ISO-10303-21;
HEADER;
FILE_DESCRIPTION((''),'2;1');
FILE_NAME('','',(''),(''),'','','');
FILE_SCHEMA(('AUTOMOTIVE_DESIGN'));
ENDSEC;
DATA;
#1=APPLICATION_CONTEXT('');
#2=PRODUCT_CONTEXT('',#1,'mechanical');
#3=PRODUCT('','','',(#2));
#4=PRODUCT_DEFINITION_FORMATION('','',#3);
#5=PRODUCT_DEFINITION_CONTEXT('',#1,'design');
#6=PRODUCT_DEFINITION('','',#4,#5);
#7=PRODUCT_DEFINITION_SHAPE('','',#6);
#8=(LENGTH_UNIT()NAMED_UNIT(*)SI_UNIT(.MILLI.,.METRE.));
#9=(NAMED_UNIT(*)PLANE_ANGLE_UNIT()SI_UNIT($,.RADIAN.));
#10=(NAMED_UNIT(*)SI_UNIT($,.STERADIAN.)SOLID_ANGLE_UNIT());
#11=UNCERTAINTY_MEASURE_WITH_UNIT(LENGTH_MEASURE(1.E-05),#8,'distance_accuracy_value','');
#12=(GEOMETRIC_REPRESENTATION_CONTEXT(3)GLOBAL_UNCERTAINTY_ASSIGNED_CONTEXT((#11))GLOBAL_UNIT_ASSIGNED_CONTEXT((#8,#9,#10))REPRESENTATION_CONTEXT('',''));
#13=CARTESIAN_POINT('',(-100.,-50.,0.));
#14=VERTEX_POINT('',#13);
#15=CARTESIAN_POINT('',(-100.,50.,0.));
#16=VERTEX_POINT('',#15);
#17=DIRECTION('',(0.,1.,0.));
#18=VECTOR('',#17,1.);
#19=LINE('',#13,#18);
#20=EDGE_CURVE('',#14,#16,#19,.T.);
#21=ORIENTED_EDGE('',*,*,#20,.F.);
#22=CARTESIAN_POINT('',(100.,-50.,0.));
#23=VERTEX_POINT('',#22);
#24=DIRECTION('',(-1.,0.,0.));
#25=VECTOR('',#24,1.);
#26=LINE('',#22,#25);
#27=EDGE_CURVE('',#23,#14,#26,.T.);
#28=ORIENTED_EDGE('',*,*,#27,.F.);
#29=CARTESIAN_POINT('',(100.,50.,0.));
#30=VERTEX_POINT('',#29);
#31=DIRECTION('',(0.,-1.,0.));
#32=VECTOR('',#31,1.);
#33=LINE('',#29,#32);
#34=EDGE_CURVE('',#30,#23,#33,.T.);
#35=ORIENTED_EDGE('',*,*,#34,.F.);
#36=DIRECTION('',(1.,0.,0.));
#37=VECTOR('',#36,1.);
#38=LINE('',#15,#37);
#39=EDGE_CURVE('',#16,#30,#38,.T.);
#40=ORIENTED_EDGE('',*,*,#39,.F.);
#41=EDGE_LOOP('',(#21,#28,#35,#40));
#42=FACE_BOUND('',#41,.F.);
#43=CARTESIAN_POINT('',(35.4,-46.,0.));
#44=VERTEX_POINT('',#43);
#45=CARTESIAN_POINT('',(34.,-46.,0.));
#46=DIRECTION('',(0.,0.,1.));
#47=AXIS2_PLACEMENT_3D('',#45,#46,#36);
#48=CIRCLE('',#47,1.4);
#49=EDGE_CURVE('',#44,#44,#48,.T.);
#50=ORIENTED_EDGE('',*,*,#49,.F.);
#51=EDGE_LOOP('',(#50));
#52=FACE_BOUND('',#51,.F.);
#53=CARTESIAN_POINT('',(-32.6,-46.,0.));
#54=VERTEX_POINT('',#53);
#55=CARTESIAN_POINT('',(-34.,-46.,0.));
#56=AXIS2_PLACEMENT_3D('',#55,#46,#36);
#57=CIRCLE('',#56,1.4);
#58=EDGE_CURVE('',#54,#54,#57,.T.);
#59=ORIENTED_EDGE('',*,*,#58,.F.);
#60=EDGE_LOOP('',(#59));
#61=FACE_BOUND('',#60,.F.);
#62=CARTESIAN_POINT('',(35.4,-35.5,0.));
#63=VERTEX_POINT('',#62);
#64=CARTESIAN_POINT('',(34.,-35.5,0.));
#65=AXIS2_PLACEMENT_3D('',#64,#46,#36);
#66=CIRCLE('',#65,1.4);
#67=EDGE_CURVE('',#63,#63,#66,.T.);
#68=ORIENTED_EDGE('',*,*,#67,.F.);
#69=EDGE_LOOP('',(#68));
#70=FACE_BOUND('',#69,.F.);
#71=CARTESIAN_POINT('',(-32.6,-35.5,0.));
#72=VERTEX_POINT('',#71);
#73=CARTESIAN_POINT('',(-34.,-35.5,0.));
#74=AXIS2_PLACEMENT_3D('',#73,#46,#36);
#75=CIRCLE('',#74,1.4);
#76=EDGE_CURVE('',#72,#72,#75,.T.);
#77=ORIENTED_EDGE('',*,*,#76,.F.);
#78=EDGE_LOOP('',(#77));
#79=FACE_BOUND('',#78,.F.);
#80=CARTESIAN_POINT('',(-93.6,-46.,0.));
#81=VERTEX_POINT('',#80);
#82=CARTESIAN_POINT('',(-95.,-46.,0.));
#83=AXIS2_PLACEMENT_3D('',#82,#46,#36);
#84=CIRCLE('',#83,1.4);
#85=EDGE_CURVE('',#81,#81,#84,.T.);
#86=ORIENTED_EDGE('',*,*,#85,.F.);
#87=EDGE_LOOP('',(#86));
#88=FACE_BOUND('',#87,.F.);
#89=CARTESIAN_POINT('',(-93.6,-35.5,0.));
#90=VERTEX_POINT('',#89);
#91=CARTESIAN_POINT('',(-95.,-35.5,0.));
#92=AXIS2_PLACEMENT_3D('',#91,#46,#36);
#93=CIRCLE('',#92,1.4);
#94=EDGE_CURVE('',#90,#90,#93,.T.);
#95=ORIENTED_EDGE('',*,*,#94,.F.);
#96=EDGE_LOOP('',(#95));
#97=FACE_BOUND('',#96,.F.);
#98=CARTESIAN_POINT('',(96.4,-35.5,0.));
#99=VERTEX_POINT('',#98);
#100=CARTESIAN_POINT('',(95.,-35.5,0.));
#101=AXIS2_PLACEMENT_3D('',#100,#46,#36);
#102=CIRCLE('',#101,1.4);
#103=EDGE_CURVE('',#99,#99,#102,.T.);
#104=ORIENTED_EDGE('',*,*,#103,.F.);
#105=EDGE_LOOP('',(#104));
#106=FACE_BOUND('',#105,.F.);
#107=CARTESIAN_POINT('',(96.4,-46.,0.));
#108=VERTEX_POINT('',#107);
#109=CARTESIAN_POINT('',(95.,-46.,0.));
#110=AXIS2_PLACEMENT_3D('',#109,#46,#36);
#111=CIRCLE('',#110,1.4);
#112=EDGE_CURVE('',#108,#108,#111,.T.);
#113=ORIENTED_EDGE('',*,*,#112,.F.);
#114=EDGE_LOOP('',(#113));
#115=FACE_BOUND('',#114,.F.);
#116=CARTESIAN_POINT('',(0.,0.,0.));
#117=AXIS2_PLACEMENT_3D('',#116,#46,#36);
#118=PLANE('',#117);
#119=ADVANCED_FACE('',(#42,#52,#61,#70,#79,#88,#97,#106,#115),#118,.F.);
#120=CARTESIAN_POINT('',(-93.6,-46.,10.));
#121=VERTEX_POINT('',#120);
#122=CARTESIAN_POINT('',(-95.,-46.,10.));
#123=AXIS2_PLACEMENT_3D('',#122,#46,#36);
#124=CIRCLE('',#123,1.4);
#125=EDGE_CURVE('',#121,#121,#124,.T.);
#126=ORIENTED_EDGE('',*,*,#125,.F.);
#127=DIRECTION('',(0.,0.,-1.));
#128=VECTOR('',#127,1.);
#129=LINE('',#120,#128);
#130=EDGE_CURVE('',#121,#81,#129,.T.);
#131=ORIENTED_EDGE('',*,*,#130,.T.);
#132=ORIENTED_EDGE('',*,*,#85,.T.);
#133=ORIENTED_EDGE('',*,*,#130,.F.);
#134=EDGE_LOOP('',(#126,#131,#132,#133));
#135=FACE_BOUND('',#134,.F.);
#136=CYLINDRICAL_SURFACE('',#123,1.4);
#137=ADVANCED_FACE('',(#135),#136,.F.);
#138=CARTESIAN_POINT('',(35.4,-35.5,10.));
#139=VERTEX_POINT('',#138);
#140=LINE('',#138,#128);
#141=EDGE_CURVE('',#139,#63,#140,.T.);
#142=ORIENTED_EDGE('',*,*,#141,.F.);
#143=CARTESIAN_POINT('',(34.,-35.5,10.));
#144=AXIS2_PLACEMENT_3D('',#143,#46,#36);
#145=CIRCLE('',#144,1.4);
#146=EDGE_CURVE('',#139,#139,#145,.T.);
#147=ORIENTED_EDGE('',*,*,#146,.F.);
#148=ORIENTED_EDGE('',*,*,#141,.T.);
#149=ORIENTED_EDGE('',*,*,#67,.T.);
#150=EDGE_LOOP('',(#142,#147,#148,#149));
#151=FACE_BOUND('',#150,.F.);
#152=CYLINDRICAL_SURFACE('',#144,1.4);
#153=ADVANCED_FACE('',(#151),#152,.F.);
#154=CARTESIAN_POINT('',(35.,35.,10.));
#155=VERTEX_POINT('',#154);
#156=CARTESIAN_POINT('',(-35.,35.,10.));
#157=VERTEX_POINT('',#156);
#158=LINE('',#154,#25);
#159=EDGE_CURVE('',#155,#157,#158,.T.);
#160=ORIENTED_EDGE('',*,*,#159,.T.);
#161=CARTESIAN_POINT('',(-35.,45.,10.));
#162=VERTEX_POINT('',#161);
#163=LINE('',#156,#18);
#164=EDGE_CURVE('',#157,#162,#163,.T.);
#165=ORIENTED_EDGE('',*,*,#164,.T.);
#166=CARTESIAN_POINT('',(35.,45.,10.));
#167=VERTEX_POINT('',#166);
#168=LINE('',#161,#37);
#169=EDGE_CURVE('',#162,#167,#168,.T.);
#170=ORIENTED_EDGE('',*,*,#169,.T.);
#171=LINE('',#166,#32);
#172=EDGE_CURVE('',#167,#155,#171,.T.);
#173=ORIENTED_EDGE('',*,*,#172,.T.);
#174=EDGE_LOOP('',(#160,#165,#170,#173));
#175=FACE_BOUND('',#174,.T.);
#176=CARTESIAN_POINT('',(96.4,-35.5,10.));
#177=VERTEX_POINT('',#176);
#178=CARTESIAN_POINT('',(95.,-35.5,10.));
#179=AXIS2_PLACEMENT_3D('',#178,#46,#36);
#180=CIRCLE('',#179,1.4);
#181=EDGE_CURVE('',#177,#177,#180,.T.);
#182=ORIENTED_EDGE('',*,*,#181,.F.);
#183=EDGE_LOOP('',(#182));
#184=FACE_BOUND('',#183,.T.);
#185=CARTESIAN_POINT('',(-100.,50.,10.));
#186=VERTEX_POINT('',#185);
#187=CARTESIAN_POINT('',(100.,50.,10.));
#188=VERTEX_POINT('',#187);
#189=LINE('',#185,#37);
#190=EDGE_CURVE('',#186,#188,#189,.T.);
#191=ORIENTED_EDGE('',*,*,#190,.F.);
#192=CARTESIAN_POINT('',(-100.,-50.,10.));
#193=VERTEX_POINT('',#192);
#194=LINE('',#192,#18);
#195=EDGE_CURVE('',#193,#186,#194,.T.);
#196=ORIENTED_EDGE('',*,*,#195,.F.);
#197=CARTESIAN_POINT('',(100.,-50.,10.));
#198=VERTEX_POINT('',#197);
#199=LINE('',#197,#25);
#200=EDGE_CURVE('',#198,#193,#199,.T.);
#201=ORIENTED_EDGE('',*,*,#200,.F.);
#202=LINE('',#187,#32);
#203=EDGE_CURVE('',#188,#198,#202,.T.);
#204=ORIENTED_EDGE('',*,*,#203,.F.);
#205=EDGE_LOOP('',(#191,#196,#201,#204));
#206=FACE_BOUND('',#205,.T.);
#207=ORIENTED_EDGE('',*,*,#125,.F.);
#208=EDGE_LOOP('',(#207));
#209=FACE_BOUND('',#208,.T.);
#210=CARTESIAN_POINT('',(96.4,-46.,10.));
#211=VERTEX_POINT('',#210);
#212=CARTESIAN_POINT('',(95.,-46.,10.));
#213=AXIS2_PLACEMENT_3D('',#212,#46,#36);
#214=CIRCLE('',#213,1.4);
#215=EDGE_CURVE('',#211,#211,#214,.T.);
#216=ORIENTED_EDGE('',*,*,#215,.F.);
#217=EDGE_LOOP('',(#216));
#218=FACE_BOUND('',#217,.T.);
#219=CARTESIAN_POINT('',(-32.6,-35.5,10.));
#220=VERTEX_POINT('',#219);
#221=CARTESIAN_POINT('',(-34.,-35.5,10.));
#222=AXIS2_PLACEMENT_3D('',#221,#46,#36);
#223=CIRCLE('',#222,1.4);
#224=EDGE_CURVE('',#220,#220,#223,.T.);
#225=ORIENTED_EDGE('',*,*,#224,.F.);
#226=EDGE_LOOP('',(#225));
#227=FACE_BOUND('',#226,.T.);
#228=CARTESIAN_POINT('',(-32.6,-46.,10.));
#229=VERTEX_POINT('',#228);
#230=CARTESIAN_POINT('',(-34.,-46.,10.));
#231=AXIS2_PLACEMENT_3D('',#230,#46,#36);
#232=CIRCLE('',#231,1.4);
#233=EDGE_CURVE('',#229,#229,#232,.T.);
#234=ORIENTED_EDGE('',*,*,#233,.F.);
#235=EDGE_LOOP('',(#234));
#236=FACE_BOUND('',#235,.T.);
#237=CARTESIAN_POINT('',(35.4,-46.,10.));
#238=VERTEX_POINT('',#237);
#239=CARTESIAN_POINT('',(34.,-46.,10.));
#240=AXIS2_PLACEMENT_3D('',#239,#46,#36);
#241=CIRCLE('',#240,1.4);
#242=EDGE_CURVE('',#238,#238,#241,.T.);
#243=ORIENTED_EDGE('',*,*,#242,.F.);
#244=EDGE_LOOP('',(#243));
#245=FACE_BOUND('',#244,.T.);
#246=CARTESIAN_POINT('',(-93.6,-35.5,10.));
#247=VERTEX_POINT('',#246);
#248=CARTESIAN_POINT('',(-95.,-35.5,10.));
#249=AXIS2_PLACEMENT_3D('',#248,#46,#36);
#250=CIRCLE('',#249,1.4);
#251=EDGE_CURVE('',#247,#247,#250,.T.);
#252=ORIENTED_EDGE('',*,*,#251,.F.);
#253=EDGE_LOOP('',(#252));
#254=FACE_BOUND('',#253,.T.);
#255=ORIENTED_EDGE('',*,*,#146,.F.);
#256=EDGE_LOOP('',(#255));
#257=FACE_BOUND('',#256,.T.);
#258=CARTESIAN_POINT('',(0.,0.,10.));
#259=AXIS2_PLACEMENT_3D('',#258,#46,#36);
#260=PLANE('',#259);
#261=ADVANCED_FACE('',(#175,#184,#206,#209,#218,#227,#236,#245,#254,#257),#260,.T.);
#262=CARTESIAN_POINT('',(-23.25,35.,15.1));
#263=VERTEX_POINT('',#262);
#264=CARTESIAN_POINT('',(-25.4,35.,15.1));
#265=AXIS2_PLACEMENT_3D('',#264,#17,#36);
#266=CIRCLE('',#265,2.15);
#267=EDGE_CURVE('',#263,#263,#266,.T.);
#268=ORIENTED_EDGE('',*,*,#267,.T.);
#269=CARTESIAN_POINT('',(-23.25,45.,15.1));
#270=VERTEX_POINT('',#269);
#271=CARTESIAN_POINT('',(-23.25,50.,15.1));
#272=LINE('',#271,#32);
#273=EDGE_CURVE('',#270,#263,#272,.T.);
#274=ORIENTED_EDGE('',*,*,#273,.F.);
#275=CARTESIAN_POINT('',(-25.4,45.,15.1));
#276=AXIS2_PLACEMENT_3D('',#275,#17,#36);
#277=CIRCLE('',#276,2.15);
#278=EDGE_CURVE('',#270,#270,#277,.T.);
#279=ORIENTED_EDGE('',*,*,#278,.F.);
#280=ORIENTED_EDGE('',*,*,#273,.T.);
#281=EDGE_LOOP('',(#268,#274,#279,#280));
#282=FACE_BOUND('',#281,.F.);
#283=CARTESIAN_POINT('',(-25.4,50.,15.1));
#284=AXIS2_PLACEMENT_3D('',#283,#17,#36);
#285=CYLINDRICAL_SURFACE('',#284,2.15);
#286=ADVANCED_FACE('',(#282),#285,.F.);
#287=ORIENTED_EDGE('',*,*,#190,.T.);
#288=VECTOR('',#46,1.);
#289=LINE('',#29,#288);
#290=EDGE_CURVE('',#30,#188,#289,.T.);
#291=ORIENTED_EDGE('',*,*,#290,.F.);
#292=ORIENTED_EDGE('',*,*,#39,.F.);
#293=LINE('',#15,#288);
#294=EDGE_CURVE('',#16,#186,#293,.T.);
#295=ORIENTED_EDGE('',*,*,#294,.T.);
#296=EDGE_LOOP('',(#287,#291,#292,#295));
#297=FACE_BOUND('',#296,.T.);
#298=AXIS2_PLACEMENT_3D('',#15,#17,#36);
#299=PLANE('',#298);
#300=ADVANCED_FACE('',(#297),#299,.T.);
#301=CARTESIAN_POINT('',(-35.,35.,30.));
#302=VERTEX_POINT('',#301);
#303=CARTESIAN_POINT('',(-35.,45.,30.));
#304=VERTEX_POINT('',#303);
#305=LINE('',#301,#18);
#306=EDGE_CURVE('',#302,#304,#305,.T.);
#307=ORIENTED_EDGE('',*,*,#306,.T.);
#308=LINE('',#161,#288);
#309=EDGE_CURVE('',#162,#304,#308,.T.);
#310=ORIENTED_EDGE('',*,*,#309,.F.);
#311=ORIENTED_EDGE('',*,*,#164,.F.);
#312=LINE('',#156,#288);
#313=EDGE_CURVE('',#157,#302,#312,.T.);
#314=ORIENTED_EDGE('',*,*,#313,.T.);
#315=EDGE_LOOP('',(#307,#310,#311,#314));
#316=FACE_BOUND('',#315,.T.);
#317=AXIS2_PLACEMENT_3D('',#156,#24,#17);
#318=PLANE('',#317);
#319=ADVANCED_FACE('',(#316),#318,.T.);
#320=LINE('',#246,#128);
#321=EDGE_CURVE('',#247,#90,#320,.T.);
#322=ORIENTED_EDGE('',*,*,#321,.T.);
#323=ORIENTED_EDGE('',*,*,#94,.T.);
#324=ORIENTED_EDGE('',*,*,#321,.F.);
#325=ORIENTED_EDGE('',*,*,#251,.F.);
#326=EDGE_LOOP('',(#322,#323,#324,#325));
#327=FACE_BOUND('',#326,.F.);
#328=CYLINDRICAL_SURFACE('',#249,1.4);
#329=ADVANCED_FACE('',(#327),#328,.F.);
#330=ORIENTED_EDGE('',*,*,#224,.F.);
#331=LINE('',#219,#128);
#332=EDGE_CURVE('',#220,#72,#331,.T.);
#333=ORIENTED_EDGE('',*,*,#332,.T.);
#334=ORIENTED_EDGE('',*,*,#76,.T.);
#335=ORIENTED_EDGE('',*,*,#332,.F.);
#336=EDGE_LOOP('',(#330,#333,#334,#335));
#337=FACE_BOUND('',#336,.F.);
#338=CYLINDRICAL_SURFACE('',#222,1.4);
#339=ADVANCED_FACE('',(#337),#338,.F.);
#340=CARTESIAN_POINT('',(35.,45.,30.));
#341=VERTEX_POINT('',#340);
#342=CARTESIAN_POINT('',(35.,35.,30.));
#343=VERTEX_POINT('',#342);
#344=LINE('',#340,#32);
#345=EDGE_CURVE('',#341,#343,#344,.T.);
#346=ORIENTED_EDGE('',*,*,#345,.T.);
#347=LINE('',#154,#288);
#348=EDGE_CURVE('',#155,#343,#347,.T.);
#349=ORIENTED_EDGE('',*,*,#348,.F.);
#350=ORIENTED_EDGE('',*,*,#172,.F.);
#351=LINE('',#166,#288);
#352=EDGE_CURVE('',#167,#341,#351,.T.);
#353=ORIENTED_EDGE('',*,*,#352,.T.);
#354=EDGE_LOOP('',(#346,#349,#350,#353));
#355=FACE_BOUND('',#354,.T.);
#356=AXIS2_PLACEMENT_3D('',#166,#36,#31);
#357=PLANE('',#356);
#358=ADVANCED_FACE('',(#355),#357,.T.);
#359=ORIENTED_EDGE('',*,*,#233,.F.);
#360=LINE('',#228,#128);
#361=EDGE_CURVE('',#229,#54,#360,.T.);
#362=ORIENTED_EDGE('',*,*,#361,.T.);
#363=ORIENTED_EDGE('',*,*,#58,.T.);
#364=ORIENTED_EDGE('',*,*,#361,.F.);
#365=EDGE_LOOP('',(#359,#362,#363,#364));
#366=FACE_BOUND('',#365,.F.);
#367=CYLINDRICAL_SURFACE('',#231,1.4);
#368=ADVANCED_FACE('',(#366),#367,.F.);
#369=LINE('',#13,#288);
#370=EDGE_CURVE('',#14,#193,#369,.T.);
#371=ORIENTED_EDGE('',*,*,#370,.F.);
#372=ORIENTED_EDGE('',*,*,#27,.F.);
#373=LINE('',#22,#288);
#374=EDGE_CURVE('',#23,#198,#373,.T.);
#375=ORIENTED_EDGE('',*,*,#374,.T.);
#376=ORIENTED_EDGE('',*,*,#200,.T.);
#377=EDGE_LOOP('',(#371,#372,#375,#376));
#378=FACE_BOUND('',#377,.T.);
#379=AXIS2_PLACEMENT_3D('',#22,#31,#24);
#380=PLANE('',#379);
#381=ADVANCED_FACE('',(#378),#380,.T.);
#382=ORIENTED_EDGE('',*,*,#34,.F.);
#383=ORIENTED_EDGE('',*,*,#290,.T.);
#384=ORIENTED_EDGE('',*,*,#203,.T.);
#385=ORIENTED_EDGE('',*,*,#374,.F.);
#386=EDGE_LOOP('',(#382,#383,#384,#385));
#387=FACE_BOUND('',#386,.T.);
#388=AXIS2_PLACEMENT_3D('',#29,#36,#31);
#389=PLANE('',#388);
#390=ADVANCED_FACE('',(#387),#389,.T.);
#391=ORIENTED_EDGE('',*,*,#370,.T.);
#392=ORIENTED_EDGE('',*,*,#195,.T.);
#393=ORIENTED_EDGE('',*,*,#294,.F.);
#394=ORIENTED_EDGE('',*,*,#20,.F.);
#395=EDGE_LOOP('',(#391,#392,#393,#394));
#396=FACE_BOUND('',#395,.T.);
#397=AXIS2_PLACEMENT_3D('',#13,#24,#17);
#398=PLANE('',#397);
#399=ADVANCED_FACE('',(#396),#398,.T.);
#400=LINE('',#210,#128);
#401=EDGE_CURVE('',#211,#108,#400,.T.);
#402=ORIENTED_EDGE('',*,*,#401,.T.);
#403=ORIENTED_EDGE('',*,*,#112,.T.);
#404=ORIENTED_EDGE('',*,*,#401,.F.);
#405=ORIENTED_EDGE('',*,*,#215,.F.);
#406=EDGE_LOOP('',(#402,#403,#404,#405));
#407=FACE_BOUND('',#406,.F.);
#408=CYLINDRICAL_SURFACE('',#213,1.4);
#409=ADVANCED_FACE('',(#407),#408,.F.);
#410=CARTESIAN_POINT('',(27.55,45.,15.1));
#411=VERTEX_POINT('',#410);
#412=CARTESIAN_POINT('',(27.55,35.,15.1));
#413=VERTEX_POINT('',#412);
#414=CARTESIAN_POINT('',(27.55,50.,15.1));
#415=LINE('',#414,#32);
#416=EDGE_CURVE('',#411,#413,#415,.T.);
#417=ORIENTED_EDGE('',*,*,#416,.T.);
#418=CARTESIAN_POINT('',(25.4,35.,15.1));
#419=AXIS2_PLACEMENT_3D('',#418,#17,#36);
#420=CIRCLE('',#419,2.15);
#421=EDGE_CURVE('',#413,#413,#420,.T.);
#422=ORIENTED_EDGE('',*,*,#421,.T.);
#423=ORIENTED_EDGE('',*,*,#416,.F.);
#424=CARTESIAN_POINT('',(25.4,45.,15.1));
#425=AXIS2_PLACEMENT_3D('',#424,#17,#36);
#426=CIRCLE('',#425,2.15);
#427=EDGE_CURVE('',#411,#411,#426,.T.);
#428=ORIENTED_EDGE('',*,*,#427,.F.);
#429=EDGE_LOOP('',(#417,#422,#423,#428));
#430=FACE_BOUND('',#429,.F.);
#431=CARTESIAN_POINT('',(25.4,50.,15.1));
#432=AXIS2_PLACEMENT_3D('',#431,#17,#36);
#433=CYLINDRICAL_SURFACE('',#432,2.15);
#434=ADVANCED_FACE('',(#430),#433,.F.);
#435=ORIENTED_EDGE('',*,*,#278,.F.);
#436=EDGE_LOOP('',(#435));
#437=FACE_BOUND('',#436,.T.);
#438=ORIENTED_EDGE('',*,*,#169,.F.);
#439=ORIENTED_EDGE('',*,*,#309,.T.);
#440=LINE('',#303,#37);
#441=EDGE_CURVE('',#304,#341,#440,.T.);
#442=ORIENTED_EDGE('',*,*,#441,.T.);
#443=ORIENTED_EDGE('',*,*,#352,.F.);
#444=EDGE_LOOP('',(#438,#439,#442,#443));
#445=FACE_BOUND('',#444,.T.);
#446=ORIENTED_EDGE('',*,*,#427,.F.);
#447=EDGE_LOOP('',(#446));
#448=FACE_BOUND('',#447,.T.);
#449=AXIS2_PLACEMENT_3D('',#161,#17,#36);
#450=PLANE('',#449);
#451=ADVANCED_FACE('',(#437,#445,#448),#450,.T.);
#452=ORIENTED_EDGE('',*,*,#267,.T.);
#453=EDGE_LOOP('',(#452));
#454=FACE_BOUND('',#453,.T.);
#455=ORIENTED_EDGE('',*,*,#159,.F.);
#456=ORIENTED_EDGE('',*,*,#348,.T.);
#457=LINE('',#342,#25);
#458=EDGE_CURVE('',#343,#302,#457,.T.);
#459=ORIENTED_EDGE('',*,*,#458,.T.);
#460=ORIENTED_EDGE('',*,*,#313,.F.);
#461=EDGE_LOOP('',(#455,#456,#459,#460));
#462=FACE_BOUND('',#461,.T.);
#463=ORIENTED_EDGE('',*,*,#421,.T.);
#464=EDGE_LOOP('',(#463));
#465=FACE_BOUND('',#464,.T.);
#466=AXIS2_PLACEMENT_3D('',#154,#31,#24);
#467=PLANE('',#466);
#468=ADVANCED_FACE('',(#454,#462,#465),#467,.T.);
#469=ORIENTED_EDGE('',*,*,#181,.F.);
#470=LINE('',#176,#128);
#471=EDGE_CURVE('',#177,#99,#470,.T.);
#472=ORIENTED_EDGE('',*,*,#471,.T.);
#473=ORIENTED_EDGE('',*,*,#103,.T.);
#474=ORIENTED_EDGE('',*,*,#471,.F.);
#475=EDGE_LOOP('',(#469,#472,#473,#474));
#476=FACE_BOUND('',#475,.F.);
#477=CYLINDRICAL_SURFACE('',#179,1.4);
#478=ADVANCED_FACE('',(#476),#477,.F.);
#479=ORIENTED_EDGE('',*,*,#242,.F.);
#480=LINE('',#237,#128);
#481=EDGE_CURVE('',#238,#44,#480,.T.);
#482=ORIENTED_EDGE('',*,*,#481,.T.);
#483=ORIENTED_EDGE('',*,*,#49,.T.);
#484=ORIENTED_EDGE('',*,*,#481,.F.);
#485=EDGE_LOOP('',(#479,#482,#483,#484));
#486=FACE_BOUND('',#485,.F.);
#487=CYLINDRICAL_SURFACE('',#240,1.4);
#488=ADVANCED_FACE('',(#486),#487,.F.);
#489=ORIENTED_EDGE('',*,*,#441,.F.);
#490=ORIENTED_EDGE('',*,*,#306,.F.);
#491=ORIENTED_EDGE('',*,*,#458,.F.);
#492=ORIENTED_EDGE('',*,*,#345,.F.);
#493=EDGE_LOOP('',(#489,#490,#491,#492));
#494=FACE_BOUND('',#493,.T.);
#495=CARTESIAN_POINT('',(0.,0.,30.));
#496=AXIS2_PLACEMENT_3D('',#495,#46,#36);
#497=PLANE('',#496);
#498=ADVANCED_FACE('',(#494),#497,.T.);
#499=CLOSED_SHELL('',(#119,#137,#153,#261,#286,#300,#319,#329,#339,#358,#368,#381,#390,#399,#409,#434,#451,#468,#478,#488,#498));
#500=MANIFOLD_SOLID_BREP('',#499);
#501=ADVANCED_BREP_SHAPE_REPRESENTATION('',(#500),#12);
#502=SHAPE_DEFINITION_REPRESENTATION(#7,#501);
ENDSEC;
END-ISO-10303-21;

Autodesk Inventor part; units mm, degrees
ref_plane "YZ Plane" through (0, 0, 0) normal (1, 0, 0) x (0, 1, 0)
ref_plane "XZ Plane" through (0, 0, 0) normal (0, 1, 0) x (-1, 0, 0)
ref_plane "XY Plane" through (0, 0, 0) normal (0, 0, 1) x (1, 0, 0)
sketch "Sketch1" plane through (0, 0, 0) normal (0, 0, 1) x (1, 0, 0)
  line L0 (-100, 50) -> (100, 50)
  line L1 (100, 50) -> (100, -50)
  line L2 (100, -50) -> (-100, -50)
  line L3 (-100, -50) -> (-100, 50)
  point P0 (0, 0)
  point P1 (100, 0)
  point P2 (0, 50)
  dimension "d0" = 200
  dimension "d1" = 100
extrude "Extrusion1" add sketch "Sketch1" along normal blind 10
sketch "Sketch2" plane through (0, 0, 10) normal (0, 0, 1) x (1, 0, 0)
  line L0 (30.48, -9.53) -> (-30.48, -9.53)
  line L1 (-30.48, -9.53) -> (-30.48, 40)
  line L2 (-30.48, 40) -> (30.48, 40)
  line L3 (30.48, 40) -> (30.48, -9.53)
  circle A0 centre (25.4, 34.92) radius 2.15
  line L4 (100, 50) -> (-100, 50) projected
  circle A1 centre (25.4, -4.45) radius 2.15
  circle A2 centre (-25.4, -4.45) radius 2.15
  circle A3 centre (-25.4, 34.92) radius 2.15
  point P0 (0, 0)
  point P1 (0, -9.53)
  dimension "d4" = 60.96
  dimension "d5" = 49.53
  dimension "d6" = 4.3
  dimension "d7" = 5.08
  dimension "d8" = 5.08
  dimension "d9" = 10
  dimension "d10" = 5.08
  dimension "d11" = 5.08
  dimension "d12" = 4.3
  dimension "d13" = 4.3
  dimension "d14" = 5.08
  dimension "d15" = 5.08
  dimension "d16" = 5.08
  dimension "d17" = 5.08
  dimension "d18" = 4.3
extrude "Extrusion2" [suppressed]
sketch "Sketch3" plane through (0, 0, 10) normal (0, 0, 1) x (1, 0, 0)
  line L0 (98, -48) -> (28, -48)
  line L1 (28, -48) -> (28, -23)
  line L2 (28, -23) -> (98, -23)
  line L3 (98, -23) -> (98, -48)
  line L4 (-100, -50) -> (100, -50) projected
  line L5 (-100, 50) -> (-100, -50) projected
  line L6 (100, -50) -> (100, 50) projected
  circle A0 centre (95, -46) radius 1.4
  circle A1 centre (95, -35.5) radius 1.4
  circle A2 centre (34, -46) radius 1.4
  circle A3 centre (34, -35.5) radius 1.4
  line L7 (0, 0) -> (0, -50) construction
  circle A4 centre (-95, -46) radius 1.4
  circle A5 centre (-95, -35.5) radius 1.4
  circle A6 centre (-34, -46) radius 1.4
  circle A7 centre (-34, -35.5) radius 1.4
  dimension "d21" = 70
  dimension "d22" = 25
  dimension "d25" = 2
  dimension "d27" = 2
  dimension "d28" = 2.8
  dimension "d31" = 2.8
  dimension "d38" = 2.8
  dimension "d39" = 2.8
  dimension "d42" = 10.5
  dimension "d43" = 10.5
  dimension "d44" = 61
  dimension "d45" = 3
  dimension "d49" = 4
extrude "Extrusion4" cut sketch "Sketch3" against normal up to surface (10 mm away) contours A0 | A1 | A2 | A3 | A4 | A5 | A6 | A7
sketch "Sketch4" plane through (0, 0, 10) normal (0, 0, 1) x (1, 0, 0)
  line L0 (35, 35) -> (-35, 35)
  line L1 (-35, 35) -> (-35, 45)
  line L2 (-35, 45) -> (35, 45)
  line L3 (35, 45) -> (35, 35)
  line L4 (-100, -50) -> (100, -50) projected
  point P0 (0, 0)
  point P1 (0, 35)
  dimension "d50" = 85
  dimension "d51" = 10
  dimension "d52" = 70
extrude "Extrusion5" add sketch "Sketch4" along normal blind 20
sketch "Sketch5" plane through (-100, 50, 0) normal (0, 1, 0) x (1, 0, 0)
  line L0 (130.48, -30.7809) -> (69.52, -30.7809)
  line L1 (69.52, -30.7809) -> (69.52, -15.7809)
  line L2 (69.52, -15.7809) -> (130.48, -15.7809)
  line L3 (130.48, -15.7809) -> (130.48, -30.7809)
  line L4 (0, 0) -> (200, 0) projected
  circle A0 centre (125.4, -15.1) radius 2.15
  circle A1 centre (74.6, -15.1) radius 2.15
  line L5 (200, -10) -> (135, -10) projected
  line L6 (65, -10) -> (0, -10) projected
  point P0 (100, 0)
  point P1 (100, 0)
  point P2 (100, -30.7809)
  dimension "d55" = 60.96
  dimension "d56" = 15
  dimension "d57" = 4.3
  dimension "d58" = 4.3
  dimension "d59" = 5.1
  dimension "d60" = 5.1
  dimension "d61" = 5.08
  dimension "d62" = 5.08
extrude "Extrusion6" cut sketch "Sketch5" against normal up to surface (15 mm away) contours A0 L2 | L2 A0 | A1 L2 | L2 A1
properties part number "motor holder"
